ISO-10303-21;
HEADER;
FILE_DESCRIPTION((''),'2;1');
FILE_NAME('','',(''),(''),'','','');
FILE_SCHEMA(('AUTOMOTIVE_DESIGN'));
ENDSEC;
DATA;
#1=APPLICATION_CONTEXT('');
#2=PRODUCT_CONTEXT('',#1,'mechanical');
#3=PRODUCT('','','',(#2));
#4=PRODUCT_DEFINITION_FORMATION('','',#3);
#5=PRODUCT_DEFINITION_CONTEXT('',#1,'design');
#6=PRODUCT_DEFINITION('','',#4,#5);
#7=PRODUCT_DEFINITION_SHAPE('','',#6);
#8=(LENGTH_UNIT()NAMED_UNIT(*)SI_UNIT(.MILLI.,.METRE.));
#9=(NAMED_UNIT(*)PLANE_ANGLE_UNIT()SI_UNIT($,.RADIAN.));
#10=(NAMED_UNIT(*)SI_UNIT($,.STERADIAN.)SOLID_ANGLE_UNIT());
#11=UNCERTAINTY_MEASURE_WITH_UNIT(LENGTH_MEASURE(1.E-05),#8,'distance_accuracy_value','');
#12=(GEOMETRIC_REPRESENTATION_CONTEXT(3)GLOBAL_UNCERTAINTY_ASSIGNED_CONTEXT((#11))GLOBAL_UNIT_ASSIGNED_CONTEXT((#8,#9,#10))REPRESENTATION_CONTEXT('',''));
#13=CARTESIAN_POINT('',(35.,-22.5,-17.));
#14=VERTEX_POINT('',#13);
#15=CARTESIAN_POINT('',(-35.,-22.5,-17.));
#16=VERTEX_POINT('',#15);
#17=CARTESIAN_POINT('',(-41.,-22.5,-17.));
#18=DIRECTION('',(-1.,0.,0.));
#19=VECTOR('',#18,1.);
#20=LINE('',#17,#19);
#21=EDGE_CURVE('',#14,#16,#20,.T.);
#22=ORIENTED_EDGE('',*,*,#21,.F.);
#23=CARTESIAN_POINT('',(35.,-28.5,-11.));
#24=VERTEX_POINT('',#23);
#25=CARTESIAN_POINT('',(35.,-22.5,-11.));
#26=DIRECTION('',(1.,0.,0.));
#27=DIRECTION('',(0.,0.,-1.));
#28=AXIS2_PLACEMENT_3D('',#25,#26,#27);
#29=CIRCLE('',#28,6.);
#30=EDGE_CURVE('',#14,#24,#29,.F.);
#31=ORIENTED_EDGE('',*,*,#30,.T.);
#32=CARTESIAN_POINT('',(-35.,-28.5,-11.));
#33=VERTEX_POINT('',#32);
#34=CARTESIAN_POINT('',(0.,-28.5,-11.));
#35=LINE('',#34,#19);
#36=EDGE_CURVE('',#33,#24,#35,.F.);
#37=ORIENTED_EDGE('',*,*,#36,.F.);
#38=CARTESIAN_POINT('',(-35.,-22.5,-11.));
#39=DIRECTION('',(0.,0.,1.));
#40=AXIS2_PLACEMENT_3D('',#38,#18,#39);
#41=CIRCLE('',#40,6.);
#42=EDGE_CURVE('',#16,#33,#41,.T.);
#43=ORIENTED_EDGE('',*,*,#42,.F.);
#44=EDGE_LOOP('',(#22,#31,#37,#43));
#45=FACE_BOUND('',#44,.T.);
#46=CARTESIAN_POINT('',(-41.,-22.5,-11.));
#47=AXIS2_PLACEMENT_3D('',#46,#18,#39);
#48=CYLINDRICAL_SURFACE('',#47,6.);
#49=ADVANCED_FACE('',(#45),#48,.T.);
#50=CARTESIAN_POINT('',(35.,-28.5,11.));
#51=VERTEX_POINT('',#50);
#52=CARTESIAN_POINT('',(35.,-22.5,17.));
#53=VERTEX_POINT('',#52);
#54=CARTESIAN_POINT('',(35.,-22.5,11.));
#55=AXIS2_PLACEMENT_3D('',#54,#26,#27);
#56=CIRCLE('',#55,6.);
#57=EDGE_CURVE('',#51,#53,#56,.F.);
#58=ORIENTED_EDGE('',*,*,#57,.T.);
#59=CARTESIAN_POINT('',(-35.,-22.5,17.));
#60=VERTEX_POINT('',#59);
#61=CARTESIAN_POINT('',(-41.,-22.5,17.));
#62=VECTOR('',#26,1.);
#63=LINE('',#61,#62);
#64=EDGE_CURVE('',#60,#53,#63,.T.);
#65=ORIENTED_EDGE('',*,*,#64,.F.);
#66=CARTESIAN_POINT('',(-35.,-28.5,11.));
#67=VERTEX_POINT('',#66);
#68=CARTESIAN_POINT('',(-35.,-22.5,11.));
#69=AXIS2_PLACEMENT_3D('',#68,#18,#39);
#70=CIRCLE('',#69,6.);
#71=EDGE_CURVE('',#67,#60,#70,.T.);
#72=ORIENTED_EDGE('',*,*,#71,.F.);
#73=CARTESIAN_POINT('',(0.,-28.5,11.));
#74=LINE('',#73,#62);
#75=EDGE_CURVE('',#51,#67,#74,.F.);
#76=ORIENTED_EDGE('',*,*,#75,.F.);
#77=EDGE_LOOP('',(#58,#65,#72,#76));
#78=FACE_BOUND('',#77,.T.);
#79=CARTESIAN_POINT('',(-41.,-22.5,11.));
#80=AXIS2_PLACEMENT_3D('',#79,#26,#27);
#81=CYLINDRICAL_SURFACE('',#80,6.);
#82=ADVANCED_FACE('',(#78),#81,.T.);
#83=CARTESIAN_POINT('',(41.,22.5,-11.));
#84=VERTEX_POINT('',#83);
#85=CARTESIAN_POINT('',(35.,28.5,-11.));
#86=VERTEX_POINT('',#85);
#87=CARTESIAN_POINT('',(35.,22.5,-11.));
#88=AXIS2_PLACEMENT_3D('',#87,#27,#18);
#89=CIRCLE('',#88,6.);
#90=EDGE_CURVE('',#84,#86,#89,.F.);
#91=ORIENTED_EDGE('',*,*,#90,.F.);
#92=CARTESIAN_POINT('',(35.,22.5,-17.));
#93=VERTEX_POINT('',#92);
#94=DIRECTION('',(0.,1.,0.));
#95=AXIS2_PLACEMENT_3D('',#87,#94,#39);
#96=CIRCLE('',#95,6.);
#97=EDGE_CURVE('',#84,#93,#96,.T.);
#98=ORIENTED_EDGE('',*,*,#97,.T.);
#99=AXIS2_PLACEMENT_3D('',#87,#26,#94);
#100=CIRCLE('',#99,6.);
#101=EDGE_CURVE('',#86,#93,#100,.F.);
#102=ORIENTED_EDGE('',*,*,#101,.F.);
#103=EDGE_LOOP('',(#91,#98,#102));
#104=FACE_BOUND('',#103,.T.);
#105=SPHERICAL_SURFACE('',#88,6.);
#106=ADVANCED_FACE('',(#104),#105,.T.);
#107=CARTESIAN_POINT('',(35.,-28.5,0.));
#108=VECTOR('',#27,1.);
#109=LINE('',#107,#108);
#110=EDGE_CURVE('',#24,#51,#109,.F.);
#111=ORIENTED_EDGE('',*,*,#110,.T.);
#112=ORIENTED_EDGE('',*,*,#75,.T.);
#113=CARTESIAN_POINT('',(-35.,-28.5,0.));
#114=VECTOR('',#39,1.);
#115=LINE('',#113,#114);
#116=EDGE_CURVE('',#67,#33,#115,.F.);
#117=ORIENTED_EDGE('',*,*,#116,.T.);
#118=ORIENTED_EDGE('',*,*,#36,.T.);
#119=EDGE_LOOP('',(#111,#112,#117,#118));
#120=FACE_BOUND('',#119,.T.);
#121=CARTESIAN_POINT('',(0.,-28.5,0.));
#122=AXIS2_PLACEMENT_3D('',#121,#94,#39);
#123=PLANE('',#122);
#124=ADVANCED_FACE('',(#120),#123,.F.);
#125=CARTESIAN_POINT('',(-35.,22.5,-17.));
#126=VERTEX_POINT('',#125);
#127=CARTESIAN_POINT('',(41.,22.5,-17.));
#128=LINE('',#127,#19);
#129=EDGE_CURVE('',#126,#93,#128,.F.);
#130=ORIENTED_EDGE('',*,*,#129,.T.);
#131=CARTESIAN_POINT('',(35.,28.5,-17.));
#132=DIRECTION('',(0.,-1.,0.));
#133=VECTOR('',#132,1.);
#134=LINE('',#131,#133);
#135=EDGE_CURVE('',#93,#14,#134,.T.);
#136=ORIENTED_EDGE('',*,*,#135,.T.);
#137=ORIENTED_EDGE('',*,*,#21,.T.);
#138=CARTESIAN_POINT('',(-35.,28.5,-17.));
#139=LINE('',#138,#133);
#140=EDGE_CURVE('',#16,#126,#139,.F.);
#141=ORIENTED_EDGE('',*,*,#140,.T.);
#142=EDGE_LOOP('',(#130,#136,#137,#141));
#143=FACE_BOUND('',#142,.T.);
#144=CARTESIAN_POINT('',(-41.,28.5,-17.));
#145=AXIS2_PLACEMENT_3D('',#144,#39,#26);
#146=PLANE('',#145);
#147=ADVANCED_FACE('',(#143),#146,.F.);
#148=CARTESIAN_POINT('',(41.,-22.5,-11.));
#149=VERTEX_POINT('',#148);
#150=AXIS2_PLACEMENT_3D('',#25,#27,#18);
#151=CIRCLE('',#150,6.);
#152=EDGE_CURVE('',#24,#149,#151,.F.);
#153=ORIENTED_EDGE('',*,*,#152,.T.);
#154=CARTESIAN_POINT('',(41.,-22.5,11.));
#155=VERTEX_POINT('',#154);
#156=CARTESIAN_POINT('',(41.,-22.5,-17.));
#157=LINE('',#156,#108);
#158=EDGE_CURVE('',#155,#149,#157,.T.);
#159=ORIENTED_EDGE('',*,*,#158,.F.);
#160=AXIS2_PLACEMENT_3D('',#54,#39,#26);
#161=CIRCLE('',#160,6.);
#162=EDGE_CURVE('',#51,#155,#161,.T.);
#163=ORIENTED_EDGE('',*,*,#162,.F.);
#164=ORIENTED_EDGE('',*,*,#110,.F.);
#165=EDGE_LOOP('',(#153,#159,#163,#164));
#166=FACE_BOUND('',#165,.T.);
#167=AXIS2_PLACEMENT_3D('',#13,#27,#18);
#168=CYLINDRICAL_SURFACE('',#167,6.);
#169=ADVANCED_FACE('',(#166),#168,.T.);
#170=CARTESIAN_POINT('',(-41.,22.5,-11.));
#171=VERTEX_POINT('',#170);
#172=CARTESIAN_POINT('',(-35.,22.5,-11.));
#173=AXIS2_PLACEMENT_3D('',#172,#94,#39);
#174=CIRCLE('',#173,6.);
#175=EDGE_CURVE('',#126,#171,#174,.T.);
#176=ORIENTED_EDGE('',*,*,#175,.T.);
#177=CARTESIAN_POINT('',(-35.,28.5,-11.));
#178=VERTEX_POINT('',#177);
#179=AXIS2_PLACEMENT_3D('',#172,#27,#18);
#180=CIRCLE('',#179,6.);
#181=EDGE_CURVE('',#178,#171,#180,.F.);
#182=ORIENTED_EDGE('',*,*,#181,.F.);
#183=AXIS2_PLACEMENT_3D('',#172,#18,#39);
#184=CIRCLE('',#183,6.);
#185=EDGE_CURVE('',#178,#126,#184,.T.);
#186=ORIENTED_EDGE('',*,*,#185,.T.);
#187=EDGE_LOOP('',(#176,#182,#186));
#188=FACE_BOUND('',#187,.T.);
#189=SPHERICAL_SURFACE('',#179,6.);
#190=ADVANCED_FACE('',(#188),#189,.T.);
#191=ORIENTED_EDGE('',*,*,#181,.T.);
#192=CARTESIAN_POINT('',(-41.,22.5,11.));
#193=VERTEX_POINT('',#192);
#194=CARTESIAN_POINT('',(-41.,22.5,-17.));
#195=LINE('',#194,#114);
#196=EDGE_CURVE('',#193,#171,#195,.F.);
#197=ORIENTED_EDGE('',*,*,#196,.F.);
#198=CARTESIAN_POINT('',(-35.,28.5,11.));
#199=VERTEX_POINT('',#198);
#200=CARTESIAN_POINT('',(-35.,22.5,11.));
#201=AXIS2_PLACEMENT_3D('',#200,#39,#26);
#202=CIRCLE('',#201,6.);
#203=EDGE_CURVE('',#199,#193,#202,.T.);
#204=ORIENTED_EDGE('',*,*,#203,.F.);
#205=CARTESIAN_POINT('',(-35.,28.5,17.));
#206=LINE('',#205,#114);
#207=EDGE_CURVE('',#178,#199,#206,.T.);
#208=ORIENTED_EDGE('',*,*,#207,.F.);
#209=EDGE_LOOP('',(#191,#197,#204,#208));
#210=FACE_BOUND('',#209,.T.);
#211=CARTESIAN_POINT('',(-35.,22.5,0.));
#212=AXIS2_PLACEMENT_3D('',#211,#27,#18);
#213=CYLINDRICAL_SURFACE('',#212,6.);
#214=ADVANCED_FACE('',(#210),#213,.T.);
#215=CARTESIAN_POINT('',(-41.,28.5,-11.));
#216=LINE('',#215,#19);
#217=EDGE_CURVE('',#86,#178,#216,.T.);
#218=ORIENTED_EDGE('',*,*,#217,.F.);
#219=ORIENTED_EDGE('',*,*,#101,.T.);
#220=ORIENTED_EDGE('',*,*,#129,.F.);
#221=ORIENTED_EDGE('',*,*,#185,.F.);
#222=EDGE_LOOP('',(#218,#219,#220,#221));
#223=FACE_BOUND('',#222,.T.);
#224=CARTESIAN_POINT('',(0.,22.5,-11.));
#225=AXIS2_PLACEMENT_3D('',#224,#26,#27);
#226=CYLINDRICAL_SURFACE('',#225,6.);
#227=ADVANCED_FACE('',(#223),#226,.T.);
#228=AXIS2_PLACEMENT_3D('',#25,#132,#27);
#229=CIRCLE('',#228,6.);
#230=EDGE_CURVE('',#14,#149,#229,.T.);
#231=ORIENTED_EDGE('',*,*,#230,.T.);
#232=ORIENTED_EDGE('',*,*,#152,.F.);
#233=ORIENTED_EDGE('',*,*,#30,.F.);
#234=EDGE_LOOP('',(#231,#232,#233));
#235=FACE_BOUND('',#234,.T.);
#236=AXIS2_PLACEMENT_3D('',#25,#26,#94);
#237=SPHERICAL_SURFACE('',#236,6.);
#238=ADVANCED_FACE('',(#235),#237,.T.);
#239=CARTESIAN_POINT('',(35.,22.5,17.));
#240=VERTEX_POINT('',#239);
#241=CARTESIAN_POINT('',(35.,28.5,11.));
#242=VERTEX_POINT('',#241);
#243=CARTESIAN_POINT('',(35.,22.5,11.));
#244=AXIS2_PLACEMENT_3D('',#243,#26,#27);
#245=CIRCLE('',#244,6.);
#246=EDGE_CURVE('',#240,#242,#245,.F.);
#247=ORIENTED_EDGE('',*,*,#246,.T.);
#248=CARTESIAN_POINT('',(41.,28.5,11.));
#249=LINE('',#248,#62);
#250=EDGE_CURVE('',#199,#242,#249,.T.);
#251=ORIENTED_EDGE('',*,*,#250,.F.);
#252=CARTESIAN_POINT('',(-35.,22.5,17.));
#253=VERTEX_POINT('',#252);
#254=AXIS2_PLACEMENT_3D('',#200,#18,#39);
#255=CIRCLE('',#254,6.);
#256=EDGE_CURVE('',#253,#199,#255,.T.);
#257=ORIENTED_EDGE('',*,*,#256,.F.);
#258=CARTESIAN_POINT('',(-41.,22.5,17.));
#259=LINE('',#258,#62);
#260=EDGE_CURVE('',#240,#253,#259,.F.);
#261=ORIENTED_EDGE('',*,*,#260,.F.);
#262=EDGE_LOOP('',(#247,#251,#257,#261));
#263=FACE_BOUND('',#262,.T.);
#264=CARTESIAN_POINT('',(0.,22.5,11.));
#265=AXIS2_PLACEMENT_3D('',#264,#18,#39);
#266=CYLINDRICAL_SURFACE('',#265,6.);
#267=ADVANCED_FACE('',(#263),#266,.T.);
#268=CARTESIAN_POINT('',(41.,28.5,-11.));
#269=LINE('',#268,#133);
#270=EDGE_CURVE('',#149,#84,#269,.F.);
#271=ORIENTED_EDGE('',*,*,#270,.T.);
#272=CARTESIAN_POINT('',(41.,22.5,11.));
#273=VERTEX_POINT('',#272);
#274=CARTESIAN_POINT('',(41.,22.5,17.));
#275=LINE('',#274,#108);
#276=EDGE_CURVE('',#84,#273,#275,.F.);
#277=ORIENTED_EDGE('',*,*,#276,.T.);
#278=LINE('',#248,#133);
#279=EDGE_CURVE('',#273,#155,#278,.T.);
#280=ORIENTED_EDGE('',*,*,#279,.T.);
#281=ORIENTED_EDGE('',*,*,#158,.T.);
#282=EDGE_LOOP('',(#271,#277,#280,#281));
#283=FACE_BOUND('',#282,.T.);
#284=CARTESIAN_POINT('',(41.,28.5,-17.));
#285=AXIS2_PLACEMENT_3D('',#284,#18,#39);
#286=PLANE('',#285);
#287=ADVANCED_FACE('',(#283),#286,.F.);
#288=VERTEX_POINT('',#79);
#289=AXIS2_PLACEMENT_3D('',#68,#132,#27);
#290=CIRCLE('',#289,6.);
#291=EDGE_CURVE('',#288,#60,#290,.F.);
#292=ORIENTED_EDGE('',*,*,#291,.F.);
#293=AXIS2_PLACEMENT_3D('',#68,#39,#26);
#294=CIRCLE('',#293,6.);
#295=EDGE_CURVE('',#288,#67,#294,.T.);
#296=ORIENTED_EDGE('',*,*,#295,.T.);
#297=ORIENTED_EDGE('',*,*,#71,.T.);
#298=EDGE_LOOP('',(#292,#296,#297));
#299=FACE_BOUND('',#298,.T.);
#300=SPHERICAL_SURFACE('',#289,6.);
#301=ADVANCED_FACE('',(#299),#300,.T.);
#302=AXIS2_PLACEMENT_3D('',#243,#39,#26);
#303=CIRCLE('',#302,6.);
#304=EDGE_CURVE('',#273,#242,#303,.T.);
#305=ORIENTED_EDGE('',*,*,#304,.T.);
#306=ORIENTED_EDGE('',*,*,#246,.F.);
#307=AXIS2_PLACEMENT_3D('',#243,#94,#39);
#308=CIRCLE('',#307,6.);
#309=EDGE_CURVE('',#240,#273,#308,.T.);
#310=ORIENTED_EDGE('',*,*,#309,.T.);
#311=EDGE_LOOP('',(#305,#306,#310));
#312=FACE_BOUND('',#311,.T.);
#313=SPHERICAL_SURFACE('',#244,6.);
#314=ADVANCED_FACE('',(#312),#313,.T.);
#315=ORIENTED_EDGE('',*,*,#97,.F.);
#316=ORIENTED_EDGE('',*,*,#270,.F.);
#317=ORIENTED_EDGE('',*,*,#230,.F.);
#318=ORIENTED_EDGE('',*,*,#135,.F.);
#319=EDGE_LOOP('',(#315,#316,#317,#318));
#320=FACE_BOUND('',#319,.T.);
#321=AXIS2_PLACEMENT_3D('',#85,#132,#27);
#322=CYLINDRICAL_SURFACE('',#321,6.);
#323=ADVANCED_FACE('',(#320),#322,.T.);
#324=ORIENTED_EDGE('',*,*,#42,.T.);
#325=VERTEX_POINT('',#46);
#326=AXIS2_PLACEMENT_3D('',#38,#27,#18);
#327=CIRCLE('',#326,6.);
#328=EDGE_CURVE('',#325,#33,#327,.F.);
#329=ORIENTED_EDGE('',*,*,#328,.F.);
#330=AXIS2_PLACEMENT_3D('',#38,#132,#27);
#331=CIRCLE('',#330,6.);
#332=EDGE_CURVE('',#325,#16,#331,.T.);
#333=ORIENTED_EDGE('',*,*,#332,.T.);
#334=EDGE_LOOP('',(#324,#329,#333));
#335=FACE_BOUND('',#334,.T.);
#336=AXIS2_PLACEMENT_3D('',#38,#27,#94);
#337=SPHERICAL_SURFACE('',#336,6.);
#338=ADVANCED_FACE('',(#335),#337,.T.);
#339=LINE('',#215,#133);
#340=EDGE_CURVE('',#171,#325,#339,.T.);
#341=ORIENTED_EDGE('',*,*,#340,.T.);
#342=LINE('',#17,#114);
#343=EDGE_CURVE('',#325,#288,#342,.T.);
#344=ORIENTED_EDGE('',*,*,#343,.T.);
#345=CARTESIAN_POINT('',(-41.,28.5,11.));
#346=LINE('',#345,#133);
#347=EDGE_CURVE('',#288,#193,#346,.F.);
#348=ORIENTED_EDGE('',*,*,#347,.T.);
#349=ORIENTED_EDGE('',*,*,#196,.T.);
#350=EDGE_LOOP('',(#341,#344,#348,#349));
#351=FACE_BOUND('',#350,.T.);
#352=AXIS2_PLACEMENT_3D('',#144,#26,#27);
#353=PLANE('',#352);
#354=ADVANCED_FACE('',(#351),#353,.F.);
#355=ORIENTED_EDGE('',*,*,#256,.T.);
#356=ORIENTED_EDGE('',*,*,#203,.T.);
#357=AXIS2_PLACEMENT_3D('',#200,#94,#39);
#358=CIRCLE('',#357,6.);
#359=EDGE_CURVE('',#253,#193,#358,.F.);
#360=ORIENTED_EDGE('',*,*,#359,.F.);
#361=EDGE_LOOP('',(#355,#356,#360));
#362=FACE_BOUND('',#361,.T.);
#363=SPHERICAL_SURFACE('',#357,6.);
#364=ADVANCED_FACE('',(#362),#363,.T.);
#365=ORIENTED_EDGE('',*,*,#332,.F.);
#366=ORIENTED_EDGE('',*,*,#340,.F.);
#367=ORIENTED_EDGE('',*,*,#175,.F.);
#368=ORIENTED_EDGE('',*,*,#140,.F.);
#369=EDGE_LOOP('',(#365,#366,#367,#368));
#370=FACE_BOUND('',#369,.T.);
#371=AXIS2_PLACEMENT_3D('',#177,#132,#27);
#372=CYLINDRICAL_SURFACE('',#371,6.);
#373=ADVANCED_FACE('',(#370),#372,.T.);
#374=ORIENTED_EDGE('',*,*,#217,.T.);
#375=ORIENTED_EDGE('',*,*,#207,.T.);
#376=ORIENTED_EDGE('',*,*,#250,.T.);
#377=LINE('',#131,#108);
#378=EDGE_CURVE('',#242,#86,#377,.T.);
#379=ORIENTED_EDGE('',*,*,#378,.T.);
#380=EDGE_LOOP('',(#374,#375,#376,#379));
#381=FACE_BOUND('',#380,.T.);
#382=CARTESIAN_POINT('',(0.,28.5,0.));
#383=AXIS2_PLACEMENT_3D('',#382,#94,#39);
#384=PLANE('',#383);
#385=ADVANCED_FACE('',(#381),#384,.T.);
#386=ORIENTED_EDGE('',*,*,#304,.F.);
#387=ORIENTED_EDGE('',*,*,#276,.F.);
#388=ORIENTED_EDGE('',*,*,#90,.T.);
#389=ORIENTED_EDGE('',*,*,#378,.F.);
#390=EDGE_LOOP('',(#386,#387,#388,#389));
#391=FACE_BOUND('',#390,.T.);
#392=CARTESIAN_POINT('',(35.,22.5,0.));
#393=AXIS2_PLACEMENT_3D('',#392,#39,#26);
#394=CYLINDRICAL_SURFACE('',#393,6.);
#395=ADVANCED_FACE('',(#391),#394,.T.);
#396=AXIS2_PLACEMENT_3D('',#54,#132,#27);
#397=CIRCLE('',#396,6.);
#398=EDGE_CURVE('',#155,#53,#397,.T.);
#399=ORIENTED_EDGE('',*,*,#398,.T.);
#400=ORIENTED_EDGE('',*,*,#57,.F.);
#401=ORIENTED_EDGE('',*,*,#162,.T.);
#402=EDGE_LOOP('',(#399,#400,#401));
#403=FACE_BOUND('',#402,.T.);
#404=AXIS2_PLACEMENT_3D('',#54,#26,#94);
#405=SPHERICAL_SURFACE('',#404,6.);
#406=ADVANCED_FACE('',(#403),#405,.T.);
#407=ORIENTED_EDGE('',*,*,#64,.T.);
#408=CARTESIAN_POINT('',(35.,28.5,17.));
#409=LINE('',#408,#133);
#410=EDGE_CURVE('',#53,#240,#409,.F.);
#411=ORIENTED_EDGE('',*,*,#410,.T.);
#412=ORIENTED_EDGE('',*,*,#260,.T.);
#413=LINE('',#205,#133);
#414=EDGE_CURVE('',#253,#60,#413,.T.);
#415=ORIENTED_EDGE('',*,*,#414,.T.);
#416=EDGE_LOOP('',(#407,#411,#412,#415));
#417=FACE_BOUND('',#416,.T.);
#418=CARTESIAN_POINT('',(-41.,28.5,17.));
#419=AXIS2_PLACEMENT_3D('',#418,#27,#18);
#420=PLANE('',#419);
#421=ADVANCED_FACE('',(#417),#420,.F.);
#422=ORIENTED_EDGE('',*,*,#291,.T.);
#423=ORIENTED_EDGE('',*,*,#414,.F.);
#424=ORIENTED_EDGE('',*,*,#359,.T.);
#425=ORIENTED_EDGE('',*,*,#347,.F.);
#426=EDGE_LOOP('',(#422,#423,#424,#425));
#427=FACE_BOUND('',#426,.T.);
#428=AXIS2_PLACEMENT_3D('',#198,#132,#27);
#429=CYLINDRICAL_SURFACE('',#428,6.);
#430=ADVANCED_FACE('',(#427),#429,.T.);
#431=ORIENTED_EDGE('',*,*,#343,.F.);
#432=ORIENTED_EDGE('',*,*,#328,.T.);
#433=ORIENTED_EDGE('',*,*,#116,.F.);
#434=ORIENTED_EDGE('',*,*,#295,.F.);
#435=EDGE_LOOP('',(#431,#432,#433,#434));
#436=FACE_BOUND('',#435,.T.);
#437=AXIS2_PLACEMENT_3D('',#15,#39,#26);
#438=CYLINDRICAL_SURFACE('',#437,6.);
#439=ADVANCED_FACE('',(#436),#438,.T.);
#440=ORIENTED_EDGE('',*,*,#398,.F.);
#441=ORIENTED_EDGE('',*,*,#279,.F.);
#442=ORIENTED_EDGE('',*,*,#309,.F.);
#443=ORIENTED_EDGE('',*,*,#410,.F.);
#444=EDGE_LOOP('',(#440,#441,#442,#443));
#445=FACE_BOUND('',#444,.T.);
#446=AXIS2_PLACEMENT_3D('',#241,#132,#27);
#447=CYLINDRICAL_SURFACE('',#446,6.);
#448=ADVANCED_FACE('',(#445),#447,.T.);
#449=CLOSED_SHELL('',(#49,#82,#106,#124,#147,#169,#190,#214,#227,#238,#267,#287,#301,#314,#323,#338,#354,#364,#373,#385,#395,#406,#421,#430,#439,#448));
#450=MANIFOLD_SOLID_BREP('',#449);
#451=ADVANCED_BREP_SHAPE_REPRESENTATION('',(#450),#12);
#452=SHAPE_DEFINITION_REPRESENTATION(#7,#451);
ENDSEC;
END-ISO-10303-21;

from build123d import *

# Parameters (mm, degrees)
SKETCH1_W           = 82
SKETCH1_H           = 34
BOSS_EXTRUDE1_DEPTH = 28.5
FILLET1_R           = 6


with BuildPart() as part:
    # Sketch1 → Boss-Extrude1 (new body, symmetric)
    with BuildSketch(Plane(origin=(0, 0, 0), x_dir=(1, 0, 0), z_dir=(0, 1, 0))):
        Rectangle(SKETCH1_W, SKETCH1_H)
    extrude(amount=BOSS_EXTRUDE1_DEPTH, both=True)

    # Fillet1
    fillet1_edges = [part.edges().sort_by_distance(p)[0] for p in [
        (41, 28.5, 0),
        (0, 28.5, -17),
        (-41, 28.5, 0),
        (0, -28.5, -17),
        (41, -28.5, 0),
        (0, -28.5, 17),
        (-41, -28.5, 0),
        (-41, 0, -17),
        (41, 0, -17),
        (41, 0, 17),
        (-41, 0, 17),
        (0, 28.5, 17),
    ]]
    fillet(fillet1_edges, radius=FILLET1_R)


solid = part.part
